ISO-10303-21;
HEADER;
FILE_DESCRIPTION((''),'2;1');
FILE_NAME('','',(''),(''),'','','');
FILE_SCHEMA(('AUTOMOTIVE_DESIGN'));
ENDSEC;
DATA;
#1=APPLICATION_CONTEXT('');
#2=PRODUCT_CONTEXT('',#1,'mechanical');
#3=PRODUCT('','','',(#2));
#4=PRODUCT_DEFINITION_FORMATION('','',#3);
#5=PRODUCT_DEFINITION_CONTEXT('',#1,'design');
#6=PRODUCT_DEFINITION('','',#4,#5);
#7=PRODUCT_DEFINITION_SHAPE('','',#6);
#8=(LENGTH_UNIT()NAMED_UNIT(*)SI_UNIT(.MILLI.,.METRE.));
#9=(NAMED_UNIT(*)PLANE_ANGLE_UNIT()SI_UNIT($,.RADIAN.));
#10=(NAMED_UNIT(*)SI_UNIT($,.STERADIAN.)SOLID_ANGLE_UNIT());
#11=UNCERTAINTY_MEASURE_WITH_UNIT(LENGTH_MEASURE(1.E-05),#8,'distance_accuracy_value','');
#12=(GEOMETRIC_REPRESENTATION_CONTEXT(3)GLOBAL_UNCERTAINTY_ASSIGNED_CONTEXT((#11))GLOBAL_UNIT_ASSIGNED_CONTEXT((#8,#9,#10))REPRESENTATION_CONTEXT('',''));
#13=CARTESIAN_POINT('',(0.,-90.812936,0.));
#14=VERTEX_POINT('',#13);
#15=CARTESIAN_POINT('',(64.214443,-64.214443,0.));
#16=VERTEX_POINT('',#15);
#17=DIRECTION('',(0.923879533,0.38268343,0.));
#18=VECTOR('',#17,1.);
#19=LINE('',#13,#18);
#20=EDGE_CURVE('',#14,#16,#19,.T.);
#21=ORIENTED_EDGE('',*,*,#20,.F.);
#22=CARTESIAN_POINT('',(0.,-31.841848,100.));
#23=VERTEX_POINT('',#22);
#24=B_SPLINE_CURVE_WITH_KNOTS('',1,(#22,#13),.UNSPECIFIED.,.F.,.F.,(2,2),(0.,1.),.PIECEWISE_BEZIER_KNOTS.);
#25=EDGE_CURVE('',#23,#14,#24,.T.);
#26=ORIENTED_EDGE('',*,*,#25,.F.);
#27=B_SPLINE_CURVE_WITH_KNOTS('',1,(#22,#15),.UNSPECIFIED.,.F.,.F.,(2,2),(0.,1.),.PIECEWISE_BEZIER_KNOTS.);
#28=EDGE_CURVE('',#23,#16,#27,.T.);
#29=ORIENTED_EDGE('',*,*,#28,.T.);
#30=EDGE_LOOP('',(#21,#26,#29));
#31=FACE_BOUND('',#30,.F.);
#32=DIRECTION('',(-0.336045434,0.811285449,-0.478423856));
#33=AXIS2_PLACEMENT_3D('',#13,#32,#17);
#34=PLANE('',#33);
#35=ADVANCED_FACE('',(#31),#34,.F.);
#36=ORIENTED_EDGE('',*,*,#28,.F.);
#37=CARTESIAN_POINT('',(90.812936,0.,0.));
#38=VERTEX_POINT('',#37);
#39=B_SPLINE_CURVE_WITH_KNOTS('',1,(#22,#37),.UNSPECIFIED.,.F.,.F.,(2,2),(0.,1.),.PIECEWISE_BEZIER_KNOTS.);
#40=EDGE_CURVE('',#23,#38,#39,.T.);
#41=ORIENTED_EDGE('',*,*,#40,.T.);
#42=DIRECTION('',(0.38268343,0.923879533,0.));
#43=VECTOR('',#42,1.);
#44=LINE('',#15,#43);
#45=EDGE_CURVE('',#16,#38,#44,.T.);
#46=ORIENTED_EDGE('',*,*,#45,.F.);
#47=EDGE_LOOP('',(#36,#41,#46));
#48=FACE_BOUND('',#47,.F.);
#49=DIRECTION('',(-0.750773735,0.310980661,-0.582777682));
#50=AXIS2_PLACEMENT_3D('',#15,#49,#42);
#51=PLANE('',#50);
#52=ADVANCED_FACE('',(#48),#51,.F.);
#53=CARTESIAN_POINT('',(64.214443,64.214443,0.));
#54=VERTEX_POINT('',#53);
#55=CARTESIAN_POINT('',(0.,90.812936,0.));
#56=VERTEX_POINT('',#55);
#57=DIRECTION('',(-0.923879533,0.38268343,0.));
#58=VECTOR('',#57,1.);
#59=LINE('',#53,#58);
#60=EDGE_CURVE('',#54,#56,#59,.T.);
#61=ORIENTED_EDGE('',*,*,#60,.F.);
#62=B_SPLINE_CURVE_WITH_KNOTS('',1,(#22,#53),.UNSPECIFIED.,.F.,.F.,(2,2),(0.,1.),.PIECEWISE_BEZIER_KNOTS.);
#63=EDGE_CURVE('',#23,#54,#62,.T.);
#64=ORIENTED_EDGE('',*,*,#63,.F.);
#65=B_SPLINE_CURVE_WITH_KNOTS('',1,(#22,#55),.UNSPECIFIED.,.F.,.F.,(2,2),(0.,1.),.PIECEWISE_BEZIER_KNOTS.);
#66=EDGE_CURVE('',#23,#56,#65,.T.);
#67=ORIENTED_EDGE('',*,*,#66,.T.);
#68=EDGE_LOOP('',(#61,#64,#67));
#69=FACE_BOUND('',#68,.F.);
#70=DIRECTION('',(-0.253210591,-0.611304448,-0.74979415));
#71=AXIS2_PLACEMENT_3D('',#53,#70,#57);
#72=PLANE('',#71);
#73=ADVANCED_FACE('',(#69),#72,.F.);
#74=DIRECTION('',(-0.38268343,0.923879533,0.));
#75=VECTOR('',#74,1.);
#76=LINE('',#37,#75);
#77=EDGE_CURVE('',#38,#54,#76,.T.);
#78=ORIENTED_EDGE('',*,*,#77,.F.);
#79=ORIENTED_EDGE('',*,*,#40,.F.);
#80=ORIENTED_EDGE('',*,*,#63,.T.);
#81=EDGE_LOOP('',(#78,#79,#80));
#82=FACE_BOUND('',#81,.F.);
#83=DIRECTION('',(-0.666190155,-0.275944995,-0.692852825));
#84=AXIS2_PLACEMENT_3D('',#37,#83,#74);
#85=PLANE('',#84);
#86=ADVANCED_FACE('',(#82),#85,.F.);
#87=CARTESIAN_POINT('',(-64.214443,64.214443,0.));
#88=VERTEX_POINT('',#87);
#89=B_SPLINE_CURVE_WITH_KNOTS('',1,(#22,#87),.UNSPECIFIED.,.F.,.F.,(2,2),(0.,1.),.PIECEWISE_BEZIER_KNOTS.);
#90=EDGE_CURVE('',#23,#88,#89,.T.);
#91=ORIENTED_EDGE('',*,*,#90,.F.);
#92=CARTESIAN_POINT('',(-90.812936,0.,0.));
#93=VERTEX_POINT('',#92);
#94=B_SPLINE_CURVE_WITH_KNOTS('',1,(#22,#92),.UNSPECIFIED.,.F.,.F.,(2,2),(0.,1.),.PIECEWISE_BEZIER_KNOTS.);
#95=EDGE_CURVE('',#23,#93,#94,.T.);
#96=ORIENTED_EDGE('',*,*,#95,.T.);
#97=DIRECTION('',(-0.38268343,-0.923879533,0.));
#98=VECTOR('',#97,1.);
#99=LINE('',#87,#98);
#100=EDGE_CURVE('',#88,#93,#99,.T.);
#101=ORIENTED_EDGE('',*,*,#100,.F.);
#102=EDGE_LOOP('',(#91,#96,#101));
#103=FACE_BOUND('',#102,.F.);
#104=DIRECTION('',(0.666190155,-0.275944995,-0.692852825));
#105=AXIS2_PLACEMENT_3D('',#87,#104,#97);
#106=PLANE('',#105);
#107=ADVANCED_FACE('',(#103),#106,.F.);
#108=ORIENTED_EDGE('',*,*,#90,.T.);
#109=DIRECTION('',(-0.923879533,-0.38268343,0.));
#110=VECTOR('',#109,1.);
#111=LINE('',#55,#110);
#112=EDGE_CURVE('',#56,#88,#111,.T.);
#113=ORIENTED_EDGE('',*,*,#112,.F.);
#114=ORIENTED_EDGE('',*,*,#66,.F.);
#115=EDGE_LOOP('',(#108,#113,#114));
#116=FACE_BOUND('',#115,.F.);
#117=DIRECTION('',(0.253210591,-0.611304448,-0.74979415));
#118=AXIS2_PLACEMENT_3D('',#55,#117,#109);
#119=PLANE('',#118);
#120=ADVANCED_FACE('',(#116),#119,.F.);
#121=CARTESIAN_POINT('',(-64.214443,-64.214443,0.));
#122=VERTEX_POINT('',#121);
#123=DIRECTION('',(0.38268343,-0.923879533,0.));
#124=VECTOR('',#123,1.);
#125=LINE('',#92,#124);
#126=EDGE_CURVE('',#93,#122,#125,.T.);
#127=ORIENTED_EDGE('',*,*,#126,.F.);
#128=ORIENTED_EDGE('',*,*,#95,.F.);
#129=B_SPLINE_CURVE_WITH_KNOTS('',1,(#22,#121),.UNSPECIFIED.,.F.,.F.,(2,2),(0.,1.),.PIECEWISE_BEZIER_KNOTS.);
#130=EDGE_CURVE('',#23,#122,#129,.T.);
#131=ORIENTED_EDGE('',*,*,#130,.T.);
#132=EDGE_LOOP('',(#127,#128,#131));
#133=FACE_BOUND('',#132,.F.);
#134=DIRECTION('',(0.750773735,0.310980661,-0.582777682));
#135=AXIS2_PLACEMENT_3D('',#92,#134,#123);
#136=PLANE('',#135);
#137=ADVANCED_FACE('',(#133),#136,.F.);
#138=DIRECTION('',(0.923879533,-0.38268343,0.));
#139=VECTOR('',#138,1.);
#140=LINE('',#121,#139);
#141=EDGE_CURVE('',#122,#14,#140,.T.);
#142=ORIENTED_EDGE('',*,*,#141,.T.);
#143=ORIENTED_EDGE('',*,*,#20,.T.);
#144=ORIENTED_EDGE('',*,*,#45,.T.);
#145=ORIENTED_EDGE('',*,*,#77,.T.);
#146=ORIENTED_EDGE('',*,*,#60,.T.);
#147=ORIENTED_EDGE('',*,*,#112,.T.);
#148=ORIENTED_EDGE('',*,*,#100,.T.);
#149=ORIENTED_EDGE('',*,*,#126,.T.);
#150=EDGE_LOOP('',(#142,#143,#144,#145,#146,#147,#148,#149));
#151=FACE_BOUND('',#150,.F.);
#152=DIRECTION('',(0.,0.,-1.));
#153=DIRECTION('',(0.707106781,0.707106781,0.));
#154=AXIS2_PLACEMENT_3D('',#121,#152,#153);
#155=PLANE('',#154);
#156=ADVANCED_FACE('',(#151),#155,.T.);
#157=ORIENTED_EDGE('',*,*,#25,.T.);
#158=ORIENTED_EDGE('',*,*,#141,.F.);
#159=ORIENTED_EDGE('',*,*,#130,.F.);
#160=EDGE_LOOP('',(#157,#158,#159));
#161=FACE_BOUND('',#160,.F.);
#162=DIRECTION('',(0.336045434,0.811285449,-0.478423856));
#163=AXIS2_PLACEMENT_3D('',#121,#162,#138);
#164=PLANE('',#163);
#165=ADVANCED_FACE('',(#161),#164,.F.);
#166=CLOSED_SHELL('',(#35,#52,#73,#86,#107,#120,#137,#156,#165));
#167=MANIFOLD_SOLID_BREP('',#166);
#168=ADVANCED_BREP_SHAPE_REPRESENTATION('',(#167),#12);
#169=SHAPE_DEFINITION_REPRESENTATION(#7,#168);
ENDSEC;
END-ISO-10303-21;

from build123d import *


with BuildPart() as f3:
    # F0 (on Top) → F3 section 0
    with BuildSketch(Plane.XY, mode=Mode.PRIVATE) as f3_s0:
        Polygon((-64.214443, -64.214443), (0, -90.812936), (64.214443, -64.214443), (90.812936, 0), (64.214443, 64.214443), (0, 90.812936), (-64.214443, 64.214443), (-90.812936, 0), align=None)
    loft([Vertex(0, -31.841848, 100), f3_s0.sketch])


solid = f3.part
